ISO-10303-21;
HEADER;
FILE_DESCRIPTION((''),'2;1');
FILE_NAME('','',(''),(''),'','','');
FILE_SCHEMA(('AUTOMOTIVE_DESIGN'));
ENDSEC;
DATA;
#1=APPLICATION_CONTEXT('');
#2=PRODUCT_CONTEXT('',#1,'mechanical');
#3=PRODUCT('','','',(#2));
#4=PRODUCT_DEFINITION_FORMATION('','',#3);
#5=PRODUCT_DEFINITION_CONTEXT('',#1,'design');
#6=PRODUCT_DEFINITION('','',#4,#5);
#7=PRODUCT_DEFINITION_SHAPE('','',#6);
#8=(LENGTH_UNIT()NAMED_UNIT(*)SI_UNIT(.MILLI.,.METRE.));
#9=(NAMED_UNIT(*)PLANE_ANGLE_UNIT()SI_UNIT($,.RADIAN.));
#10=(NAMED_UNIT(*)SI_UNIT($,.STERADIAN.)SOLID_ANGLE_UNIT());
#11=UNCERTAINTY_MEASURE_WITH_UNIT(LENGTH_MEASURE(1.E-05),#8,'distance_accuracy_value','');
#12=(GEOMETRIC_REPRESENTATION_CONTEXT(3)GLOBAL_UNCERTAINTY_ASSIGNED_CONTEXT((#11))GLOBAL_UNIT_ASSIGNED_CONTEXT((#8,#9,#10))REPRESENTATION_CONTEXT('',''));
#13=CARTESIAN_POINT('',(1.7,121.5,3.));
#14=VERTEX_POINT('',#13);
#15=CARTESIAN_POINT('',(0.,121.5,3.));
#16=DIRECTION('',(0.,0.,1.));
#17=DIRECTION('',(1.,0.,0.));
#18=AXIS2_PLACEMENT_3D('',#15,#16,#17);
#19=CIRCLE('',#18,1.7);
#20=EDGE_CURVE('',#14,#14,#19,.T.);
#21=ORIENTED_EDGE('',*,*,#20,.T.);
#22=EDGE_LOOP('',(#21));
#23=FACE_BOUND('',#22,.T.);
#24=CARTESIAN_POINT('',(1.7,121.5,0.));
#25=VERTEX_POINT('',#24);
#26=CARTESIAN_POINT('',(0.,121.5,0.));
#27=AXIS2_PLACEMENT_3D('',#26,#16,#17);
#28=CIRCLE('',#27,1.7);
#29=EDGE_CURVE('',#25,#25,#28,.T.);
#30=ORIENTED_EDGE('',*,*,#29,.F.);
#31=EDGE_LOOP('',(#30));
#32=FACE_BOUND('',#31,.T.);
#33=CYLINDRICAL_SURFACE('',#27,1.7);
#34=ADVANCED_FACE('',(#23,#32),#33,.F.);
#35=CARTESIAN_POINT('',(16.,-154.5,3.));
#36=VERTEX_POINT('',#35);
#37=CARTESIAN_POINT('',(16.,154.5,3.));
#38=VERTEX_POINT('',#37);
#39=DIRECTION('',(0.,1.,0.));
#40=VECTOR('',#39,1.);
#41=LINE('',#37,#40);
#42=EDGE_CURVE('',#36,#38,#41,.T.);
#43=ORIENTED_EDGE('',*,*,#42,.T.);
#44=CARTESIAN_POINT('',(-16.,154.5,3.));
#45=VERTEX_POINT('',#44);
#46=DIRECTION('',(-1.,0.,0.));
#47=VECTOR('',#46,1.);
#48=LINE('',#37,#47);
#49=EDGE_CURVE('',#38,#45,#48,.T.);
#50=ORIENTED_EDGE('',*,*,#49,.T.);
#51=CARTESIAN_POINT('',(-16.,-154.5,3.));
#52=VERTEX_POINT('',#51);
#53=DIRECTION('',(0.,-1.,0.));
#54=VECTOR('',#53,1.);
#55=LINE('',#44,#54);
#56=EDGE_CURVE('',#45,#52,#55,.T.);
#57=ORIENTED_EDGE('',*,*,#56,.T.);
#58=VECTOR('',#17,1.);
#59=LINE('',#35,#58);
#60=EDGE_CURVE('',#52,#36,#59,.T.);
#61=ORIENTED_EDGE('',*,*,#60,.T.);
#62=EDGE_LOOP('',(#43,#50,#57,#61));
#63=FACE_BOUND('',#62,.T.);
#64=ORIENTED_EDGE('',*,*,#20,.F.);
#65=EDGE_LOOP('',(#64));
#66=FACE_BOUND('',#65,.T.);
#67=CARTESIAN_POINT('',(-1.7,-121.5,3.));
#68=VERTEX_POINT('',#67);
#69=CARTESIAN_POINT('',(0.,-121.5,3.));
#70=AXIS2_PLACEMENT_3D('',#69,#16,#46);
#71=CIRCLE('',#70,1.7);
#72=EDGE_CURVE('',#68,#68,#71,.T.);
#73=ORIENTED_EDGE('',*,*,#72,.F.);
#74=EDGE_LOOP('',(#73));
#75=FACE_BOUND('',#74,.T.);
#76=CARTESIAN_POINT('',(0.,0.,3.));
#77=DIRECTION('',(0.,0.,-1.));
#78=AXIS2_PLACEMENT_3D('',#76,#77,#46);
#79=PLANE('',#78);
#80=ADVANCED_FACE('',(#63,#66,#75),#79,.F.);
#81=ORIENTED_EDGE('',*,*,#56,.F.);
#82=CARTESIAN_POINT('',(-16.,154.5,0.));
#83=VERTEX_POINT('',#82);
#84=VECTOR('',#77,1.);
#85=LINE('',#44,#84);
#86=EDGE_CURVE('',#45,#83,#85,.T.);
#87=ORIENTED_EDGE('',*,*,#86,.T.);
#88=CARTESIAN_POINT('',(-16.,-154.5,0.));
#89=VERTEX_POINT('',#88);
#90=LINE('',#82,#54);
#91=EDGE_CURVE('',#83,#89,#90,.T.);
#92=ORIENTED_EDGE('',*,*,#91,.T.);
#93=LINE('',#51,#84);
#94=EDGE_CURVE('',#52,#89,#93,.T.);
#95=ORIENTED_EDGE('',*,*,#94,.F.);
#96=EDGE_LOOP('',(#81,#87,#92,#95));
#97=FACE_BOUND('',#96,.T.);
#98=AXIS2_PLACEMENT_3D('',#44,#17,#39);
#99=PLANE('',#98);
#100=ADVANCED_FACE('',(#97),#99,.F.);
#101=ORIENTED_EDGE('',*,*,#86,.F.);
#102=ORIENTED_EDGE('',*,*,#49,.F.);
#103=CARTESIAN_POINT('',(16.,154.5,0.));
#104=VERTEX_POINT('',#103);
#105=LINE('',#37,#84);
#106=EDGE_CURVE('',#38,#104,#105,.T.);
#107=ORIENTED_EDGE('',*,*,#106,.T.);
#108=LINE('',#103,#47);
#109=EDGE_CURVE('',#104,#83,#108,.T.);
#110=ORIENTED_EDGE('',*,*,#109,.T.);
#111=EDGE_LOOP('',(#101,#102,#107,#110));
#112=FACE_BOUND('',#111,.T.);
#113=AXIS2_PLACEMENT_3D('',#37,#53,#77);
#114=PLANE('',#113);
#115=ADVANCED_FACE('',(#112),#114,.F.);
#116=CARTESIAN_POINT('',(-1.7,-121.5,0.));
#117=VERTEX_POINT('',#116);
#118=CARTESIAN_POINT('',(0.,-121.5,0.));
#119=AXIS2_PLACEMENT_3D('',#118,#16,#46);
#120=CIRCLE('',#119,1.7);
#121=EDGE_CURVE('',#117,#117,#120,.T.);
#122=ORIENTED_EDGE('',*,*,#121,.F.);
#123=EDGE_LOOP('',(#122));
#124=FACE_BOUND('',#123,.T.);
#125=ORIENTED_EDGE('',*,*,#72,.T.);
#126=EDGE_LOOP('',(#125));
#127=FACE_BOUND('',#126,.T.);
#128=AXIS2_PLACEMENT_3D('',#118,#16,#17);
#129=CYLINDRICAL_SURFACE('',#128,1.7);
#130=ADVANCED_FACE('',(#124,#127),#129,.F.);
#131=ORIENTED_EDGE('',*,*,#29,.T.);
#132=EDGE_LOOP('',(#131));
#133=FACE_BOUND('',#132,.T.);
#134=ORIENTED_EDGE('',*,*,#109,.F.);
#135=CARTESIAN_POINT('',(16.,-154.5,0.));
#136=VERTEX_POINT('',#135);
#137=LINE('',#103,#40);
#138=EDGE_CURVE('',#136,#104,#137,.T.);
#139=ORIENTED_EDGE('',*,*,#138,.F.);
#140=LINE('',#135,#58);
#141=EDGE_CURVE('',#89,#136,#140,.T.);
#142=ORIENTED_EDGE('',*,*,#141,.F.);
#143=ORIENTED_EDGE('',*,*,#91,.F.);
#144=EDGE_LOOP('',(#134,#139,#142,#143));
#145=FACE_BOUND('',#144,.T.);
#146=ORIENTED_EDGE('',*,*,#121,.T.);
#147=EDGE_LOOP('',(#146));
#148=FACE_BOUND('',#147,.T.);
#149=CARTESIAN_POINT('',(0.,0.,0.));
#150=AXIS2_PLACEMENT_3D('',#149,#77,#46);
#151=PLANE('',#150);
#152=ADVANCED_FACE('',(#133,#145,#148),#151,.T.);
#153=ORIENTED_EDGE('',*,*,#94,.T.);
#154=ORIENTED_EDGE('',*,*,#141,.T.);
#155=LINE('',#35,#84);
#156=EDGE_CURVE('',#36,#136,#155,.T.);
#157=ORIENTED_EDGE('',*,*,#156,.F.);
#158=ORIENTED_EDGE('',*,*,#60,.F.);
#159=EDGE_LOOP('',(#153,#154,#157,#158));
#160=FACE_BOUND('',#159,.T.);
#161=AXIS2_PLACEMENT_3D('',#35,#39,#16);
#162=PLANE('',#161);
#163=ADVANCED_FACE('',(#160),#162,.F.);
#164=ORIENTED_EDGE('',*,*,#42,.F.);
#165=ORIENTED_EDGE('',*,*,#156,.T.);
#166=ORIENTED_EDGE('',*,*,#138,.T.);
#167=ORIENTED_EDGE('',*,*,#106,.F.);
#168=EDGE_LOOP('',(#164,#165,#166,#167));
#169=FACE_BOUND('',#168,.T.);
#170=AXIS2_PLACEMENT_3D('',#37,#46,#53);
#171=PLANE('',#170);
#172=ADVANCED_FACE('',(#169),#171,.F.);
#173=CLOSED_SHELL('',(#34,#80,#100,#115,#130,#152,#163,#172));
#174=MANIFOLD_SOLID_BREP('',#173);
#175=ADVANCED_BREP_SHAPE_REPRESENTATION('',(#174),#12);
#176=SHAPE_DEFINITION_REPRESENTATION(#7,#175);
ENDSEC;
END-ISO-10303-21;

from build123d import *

# Parameters (mm, degrees)
ESQUISSE1_W             = 32
ESQUISSE1_H             = 309
BOSS_EXTRU_1_DEPTH      = 3
ESQUISSE2_R             = 1.7
ENL_V_MAT_EXTRU_1_DEPTH = 4


with BuildPart() as part:
    # Esquisse1 → Boss.-Extru.1 (new body)
    with BuildSketch(Plane.XY):
        Rectangle(ESQUISSE1_W, ESQUISSE1_H)
    extrude(amount=BOSS_EXTRU_1_DEPTH)

    # Esquisse2 → Enlèv. mat.-Extru.1 (cut, through all)
    with BuildSketch(Plane.XY.offset(3)):
        with Locations((0, 121.5)):
            Circle(ESQUISSE2_R)
        with Locations((0, -121.5)):
            Circle(ESQUISSE2_R)
    extrude(amount=-ENL_V_MAT_EXTRU_1_DEPTH, mode=Mode.SUBTRACT)


solid = part.part
